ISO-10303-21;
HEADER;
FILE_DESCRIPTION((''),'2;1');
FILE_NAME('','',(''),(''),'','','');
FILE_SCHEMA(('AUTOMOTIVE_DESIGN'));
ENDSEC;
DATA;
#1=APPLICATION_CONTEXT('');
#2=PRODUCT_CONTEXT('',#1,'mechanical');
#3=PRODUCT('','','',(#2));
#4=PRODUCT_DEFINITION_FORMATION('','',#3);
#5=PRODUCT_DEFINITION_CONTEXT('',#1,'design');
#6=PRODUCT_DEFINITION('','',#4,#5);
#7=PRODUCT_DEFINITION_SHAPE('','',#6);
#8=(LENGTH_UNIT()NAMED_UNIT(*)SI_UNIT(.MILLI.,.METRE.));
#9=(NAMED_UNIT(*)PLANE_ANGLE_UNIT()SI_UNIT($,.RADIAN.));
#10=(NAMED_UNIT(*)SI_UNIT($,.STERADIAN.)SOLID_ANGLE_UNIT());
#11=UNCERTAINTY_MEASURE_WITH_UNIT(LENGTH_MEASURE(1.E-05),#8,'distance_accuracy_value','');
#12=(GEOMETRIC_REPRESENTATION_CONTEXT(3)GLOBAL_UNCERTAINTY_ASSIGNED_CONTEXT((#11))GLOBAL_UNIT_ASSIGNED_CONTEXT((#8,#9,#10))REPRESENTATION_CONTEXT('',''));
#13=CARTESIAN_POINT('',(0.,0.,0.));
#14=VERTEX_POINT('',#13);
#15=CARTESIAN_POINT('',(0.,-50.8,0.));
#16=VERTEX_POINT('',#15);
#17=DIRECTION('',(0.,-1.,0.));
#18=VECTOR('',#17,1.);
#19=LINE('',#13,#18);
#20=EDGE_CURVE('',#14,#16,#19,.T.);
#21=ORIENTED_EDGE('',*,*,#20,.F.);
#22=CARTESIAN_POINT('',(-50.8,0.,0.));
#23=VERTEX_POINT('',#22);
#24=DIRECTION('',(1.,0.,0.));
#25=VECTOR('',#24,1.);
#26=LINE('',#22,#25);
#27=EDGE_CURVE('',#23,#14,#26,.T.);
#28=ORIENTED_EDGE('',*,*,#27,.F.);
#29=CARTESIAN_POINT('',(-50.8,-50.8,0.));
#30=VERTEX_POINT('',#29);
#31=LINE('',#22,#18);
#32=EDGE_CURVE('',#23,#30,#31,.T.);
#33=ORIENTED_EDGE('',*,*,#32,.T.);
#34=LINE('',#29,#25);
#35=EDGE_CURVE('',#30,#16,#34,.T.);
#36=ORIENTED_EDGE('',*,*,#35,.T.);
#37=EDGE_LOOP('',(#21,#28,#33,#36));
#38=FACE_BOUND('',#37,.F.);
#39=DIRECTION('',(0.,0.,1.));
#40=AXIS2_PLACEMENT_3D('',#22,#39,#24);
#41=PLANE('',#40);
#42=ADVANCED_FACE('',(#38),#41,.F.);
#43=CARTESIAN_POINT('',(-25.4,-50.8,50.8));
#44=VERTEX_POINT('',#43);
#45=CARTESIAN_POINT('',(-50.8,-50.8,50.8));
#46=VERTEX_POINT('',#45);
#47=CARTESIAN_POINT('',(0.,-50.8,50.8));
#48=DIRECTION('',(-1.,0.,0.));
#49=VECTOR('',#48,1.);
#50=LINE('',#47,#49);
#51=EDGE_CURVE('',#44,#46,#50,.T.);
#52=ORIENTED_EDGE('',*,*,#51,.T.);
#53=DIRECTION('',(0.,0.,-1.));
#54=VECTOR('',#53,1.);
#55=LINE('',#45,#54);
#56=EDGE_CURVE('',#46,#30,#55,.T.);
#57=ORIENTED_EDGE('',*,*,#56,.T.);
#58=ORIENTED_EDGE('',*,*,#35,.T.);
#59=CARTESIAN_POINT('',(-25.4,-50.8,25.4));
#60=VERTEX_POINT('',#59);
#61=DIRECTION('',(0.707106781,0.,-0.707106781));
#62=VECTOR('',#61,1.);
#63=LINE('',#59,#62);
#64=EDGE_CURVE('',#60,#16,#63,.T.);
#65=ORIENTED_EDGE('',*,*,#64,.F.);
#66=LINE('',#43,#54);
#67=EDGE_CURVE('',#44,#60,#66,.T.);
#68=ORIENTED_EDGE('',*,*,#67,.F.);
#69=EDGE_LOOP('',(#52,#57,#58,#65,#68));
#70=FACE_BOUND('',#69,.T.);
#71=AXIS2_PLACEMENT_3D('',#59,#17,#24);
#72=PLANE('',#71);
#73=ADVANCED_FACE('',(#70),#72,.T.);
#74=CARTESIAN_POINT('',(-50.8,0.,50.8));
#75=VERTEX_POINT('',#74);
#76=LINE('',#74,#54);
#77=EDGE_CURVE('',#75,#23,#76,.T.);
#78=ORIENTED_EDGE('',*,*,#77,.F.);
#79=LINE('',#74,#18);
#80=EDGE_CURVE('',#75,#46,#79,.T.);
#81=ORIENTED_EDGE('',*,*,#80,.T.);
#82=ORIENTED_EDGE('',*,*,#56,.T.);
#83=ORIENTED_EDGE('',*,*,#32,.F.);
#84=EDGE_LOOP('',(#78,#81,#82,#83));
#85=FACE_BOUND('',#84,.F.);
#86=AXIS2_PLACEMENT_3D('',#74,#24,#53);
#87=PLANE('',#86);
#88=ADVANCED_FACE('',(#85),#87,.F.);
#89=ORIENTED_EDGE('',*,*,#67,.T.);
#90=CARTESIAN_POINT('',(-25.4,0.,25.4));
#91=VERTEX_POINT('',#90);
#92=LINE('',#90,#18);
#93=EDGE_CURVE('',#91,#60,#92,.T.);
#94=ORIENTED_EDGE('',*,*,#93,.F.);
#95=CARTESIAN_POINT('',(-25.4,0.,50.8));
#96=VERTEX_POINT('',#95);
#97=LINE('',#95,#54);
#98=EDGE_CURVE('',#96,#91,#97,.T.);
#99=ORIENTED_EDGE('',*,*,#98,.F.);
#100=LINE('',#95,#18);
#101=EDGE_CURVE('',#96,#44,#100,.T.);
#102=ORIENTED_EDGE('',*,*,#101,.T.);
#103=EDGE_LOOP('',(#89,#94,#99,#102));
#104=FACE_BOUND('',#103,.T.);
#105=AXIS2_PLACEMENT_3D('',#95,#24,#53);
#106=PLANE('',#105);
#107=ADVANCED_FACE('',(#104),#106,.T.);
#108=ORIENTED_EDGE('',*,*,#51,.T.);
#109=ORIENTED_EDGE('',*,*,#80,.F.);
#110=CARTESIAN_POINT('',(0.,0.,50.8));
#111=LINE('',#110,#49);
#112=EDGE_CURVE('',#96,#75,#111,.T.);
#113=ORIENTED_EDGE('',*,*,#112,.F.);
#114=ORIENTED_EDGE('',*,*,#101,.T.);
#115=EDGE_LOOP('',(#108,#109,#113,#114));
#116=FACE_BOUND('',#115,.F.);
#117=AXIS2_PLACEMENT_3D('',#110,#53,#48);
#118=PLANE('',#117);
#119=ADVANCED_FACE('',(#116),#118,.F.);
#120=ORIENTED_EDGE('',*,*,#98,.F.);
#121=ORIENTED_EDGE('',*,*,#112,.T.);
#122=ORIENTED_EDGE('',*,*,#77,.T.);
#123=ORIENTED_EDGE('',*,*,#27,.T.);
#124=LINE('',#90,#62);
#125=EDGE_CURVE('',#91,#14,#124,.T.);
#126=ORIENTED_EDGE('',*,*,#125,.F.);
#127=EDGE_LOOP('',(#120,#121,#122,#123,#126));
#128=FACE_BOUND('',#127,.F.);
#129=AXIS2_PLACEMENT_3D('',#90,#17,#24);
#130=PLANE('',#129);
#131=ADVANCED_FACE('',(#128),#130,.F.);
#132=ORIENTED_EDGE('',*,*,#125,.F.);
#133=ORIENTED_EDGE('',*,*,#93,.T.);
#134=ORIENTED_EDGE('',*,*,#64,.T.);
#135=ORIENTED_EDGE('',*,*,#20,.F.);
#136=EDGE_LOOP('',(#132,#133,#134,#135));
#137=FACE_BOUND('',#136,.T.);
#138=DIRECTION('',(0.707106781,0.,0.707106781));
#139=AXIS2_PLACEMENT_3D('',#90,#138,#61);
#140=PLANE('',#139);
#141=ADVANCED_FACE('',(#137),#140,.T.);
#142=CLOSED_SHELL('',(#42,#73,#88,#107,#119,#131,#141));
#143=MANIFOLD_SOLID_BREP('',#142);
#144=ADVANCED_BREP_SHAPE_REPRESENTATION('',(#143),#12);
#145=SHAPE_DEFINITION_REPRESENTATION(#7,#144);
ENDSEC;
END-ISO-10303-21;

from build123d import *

# Parameters (mm, degrees)
F1_DEPTH = 50.8
F3_DEPTH = 50.8


with BuildPart() as f1:
    # F0 (on Front) → F1 (new body)
    with BuildSketch(Plane.XZ):
        Polygon((-50.8, 0), (0, 0), (0, 50.8), (-25.4, 50.8), (-50.8, 50.8), align=None)
    extrude(amount=F1_DEPTH)

    # F2 (on Front) → F3 (cut)
    with BuildSketch(Plane.XZ):
        Polygon((-25.4, 25.4), (0, 0), (0, 25.4), (0, 50.8), (-25.4, 50.8), align=None)
    extrude(amount=F3_DEPTH, mode=Mode.SUBTRACT)


solid = f1.part
